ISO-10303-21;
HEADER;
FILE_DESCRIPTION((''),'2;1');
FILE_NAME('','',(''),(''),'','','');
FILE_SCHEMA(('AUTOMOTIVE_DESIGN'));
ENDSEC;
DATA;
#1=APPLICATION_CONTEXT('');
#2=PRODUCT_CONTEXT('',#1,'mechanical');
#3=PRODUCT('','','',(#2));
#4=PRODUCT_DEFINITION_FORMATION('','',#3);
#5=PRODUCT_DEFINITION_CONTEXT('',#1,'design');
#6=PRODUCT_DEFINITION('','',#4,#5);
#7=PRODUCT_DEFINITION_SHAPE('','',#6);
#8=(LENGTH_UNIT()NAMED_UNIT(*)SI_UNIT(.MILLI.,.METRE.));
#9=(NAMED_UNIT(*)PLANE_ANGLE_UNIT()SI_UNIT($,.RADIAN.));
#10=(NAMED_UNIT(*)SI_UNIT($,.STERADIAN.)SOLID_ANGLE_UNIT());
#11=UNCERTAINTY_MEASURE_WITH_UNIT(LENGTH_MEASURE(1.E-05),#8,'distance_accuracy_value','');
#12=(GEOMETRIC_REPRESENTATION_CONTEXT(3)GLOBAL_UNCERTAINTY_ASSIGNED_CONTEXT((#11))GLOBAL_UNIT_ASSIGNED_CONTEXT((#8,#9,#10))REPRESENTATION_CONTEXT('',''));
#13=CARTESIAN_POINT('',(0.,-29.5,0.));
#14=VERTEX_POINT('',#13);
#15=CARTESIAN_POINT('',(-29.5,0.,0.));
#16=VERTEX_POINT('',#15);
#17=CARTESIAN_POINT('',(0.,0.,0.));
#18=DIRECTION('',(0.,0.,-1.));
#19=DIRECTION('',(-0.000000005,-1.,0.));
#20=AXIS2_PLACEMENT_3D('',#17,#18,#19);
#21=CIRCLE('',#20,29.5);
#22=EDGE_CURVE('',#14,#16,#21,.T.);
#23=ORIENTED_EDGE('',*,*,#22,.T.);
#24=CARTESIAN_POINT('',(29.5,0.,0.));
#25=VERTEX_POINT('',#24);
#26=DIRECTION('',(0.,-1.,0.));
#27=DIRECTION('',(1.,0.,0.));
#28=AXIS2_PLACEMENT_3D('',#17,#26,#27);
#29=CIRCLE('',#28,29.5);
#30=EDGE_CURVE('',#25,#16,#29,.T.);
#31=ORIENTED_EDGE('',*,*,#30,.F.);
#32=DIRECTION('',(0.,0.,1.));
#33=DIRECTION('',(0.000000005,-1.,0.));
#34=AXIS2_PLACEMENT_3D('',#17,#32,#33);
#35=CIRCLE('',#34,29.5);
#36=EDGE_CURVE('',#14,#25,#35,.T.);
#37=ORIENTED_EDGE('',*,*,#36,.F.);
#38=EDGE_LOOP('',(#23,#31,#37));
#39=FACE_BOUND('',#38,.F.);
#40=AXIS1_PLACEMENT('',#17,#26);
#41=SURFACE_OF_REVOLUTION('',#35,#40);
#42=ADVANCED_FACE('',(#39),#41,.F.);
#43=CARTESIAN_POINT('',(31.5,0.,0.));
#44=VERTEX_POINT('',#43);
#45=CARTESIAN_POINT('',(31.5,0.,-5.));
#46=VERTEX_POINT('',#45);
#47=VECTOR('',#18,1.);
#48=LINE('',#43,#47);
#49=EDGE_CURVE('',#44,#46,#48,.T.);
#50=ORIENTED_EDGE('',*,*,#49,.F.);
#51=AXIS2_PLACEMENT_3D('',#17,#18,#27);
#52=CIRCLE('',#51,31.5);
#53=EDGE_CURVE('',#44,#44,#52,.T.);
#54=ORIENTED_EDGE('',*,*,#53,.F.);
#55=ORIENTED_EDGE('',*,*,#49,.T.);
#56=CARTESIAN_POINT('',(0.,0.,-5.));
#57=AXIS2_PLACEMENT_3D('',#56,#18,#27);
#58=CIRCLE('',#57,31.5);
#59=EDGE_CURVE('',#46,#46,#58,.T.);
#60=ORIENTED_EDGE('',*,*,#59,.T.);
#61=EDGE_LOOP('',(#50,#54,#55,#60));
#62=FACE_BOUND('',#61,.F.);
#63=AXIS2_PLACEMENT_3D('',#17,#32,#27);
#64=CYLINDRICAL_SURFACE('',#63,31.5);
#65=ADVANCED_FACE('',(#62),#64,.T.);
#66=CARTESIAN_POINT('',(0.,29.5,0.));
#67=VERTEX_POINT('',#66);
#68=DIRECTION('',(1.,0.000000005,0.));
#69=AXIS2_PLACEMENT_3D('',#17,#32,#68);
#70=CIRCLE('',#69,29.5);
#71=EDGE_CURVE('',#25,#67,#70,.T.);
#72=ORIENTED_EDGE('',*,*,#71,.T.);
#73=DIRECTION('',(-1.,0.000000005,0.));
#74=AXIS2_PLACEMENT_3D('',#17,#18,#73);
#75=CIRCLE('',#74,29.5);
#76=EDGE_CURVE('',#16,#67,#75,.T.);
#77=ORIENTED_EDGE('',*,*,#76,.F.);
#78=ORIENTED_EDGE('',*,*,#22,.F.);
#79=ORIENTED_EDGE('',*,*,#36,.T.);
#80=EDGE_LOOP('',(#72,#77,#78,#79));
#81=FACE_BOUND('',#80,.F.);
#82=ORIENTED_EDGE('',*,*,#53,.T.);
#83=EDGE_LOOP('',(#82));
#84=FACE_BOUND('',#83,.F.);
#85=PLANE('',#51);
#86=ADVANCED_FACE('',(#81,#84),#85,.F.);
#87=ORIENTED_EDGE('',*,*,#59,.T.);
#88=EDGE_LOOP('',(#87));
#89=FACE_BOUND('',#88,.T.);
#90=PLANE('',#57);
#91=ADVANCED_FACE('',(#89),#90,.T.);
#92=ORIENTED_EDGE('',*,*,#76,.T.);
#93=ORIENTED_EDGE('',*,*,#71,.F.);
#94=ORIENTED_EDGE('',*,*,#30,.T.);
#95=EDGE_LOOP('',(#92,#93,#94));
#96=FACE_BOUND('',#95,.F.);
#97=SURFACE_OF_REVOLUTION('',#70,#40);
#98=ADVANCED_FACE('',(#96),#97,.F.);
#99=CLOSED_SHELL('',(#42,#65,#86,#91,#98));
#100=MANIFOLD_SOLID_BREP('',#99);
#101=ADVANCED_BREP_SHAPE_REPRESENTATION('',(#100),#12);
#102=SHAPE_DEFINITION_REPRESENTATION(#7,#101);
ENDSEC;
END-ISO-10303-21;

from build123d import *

# Parameters (mm, degrees)
F1_ANGLE = 180
F2_R     = 31.5
F3_DEPTH = 5


with BuildPart() as f1:
    # F0 (on Top) → F1 (revolve)
    with BuildSketch(Plane.XY):
        with BuildLine():
            ThreePointArc((0, -29.5), (20.85965, -20.85965), (29.5, 0))
            ThreePointArc((29.5, 0), (20.85965, 20.85965), (0, 29.5))
            Line((0, 29.5), (0, -29.5))
        make_face()
    revolve(axis=Axis((0, 0, 0), (0, -1, 0)), revolution_arc=F1_ANGLE)

    # F2 (on face) → F3 (join)
    with BuildSketch(Plane(origin=(0, 0, 0), x_dir=(1, 0, 0), z_dir=(0, 0, -1))):
        Circle(F2_R)
    extrude(amount=F3_DEPTH)


solid = f1.part
